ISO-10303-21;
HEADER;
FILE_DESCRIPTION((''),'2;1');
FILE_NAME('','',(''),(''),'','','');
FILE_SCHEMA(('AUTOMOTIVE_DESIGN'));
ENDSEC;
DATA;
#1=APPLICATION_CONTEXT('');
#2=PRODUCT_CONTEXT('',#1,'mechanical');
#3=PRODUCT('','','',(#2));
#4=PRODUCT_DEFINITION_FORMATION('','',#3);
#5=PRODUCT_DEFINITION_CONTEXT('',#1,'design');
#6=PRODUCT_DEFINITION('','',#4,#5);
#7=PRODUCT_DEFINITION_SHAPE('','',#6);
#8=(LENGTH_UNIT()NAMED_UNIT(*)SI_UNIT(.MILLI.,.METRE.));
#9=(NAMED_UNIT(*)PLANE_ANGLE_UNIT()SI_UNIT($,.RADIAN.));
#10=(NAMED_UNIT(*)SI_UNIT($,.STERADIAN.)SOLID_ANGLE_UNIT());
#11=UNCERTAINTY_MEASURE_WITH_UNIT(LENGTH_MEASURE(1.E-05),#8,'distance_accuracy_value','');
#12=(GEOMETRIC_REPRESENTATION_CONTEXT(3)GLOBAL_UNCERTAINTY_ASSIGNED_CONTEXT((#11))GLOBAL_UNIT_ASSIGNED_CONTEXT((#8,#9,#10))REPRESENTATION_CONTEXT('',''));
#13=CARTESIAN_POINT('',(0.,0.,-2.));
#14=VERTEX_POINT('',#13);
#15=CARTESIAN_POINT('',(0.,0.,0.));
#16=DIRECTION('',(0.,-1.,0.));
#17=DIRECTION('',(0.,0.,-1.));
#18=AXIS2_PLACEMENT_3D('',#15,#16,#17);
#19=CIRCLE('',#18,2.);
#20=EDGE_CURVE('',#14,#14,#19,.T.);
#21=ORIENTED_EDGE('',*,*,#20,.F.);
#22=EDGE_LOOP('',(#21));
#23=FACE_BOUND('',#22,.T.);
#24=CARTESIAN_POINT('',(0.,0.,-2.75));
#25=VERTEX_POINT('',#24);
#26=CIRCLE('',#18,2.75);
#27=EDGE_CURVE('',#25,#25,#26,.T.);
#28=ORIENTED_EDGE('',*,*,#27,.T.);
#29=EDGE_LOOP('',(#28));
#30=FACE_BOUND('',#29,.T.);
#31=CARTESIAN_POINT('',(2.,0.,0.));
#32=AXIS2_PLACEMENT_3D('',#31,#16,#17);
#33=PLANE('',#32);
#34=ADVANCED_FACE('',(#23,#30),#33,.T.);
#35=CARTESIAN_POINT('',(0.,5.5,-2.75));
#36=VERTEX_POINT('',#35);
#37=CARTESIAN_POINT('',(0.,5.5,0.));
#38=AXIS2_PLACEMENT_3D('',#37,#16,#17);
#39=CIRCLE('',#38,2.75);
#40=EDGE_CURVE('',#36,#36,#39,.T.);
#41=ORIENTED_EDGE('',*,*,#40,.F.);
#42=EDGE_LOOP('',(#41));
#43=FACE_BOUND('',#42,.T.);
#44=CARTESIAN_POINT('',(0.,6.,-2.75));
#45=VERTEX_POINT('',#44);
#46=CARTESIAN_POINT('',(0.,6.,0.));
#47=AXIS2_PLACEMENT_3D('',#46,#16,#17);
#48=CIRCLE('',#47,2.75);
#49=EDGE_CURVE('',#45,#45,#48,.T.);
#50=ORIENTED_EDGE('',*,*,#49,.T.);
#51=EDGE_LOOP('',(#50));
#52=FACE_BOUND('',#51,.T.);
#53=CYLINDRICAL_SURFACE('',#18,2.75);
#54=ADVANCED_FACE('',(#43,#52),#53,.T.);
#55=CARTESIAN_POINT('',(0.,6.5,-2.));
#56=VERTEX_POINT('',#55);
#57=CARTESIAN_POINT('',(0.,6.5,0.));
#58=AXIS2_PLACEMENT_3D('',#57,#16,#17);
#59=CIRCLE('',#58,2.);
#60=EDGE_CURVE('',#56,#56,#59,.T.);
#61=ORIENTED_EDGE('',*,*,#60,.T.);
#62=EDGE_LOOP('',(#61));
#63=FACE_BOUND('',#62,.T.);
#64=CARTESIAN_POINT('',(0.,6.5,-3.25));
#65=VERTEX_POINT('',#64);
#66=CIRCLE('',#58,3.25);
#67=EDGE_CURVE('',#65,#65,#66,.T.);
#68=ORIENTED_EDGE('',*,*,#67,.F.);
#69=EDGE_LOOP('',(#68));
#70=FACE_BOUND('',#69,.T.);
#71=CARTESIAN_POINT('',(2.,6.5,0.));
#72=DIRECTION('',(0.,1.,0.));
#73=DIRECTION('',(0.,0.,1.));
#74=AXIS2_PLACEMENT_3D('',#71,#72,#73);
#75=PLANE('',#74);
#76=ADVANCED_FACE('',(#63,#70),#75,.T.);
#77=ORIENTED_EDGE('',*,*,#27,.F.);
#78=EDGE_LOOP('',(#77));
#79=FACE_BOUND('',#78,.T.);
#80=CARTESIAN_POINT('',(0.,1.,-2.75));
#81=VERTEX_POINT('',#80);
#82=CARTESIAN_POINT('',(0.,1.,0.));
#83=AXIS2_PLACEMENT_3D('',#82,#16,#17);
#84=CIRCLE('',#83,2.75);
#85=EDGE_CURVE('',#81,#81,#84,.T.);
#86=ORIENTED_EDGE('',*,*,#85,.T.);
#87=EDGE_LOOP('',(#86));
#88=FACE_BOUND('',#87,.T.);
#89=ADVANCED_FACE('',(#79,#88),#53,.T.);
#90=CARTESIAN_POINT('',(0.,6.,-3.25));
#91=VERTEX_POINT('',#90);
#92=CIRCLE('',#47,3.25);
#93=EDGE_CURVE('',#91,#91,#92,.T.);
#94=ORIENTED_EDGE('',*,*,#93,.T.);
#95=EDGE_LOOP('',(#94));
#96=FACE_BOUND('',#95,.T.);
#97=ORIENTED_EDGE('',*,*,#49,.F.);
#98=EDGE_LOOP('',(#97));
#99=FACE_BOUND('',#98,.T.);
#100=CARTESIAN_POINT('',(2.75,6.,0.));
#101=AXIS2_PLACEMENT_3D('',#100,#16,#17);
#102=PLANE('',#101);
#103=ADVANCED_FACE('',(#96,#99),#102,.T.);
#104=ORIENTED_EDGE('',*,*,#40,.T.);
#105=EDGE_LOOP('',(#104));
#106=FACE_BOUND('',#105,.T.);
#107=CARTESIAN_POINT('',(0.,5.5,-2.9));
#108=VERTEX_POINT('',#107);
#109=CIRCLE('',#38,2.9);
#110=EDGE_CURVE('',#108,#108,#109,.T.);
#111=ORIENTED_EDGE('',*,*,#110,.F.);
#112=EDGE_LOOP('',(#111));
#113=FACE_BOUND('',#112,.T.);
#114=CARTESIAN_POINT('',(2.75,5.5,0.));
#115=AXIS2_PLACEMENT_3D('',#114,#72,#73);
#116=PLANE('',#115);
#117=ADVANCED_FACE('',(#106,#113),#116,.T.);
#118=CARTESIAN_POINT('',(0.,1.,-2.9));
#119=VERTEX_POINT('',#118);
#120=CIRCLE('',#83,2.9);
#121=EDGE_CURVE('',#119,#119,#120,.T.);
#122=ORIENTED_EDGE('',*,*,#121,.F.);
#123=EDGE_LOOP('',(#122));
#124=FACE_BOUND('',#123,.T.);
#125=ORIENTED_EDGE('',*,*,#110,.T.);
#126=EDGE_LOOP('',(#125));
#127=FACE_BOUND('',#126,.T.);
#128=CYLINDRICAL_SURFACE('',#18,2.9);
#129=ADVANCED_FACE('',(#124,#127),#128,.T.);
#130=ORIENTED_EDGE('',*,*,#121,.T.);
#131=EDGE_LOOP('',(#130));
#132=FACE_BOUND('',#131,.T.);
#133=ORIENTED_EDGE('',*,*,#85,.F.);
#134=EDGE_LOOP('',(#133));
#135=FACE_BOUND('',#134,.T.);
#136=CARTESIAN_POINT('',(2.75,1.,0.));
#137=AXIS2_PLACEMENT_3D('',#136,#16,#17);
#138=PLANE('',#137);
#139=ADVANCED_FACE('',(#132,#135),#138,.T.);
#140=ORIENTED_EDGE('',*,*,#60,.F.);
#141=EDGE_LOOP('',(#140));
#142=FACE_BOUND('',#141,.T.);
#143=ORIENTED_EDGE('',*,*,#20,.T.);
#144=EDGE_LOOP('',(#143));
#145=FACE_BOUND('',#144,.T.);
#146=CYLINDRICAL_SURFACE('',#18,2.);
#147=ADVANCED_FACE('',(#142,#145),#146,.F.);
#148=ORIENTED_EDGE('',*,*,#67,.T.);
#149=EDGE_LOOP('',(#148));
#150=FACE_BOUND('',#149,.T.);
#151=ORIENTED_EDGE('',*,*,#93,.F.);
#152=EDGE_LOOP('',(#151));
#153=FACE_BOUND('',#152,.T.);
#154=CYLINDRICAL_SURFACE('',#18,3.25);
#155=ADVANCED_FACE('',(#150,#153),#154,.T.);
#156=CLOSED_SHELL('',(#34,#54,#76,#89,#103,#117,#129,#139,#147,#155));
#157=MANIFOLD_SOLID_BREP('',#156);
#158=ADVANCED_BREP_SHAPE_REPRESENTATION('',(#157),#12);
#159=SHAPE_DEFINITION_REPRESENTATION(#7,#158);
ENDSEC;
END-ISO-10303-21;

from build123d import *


with BuildPart() as part:
    # ｽｹｯﾁ1 → 回転1 (revolve)
    with BuildSketch(Plane.XY, mode=Mode.PRIVATE) as revolve_1_sk:
        Polygon((2, 6.5), (3.25, 6.5), (3.25, 6), (2.75, 6), (2.75, 5.5), (2.9, 5.5), (2.9, 1), (2.75, 1), (2.75, 0), (2, 0), align=None)
    revolve(revolve_1_sk.sketch.rotate(Axis((0, 0, 0), (0, 1, 0)), 90), axis=Axis((0, 0, 0), (0, 1, 0)))


solid = part.part
